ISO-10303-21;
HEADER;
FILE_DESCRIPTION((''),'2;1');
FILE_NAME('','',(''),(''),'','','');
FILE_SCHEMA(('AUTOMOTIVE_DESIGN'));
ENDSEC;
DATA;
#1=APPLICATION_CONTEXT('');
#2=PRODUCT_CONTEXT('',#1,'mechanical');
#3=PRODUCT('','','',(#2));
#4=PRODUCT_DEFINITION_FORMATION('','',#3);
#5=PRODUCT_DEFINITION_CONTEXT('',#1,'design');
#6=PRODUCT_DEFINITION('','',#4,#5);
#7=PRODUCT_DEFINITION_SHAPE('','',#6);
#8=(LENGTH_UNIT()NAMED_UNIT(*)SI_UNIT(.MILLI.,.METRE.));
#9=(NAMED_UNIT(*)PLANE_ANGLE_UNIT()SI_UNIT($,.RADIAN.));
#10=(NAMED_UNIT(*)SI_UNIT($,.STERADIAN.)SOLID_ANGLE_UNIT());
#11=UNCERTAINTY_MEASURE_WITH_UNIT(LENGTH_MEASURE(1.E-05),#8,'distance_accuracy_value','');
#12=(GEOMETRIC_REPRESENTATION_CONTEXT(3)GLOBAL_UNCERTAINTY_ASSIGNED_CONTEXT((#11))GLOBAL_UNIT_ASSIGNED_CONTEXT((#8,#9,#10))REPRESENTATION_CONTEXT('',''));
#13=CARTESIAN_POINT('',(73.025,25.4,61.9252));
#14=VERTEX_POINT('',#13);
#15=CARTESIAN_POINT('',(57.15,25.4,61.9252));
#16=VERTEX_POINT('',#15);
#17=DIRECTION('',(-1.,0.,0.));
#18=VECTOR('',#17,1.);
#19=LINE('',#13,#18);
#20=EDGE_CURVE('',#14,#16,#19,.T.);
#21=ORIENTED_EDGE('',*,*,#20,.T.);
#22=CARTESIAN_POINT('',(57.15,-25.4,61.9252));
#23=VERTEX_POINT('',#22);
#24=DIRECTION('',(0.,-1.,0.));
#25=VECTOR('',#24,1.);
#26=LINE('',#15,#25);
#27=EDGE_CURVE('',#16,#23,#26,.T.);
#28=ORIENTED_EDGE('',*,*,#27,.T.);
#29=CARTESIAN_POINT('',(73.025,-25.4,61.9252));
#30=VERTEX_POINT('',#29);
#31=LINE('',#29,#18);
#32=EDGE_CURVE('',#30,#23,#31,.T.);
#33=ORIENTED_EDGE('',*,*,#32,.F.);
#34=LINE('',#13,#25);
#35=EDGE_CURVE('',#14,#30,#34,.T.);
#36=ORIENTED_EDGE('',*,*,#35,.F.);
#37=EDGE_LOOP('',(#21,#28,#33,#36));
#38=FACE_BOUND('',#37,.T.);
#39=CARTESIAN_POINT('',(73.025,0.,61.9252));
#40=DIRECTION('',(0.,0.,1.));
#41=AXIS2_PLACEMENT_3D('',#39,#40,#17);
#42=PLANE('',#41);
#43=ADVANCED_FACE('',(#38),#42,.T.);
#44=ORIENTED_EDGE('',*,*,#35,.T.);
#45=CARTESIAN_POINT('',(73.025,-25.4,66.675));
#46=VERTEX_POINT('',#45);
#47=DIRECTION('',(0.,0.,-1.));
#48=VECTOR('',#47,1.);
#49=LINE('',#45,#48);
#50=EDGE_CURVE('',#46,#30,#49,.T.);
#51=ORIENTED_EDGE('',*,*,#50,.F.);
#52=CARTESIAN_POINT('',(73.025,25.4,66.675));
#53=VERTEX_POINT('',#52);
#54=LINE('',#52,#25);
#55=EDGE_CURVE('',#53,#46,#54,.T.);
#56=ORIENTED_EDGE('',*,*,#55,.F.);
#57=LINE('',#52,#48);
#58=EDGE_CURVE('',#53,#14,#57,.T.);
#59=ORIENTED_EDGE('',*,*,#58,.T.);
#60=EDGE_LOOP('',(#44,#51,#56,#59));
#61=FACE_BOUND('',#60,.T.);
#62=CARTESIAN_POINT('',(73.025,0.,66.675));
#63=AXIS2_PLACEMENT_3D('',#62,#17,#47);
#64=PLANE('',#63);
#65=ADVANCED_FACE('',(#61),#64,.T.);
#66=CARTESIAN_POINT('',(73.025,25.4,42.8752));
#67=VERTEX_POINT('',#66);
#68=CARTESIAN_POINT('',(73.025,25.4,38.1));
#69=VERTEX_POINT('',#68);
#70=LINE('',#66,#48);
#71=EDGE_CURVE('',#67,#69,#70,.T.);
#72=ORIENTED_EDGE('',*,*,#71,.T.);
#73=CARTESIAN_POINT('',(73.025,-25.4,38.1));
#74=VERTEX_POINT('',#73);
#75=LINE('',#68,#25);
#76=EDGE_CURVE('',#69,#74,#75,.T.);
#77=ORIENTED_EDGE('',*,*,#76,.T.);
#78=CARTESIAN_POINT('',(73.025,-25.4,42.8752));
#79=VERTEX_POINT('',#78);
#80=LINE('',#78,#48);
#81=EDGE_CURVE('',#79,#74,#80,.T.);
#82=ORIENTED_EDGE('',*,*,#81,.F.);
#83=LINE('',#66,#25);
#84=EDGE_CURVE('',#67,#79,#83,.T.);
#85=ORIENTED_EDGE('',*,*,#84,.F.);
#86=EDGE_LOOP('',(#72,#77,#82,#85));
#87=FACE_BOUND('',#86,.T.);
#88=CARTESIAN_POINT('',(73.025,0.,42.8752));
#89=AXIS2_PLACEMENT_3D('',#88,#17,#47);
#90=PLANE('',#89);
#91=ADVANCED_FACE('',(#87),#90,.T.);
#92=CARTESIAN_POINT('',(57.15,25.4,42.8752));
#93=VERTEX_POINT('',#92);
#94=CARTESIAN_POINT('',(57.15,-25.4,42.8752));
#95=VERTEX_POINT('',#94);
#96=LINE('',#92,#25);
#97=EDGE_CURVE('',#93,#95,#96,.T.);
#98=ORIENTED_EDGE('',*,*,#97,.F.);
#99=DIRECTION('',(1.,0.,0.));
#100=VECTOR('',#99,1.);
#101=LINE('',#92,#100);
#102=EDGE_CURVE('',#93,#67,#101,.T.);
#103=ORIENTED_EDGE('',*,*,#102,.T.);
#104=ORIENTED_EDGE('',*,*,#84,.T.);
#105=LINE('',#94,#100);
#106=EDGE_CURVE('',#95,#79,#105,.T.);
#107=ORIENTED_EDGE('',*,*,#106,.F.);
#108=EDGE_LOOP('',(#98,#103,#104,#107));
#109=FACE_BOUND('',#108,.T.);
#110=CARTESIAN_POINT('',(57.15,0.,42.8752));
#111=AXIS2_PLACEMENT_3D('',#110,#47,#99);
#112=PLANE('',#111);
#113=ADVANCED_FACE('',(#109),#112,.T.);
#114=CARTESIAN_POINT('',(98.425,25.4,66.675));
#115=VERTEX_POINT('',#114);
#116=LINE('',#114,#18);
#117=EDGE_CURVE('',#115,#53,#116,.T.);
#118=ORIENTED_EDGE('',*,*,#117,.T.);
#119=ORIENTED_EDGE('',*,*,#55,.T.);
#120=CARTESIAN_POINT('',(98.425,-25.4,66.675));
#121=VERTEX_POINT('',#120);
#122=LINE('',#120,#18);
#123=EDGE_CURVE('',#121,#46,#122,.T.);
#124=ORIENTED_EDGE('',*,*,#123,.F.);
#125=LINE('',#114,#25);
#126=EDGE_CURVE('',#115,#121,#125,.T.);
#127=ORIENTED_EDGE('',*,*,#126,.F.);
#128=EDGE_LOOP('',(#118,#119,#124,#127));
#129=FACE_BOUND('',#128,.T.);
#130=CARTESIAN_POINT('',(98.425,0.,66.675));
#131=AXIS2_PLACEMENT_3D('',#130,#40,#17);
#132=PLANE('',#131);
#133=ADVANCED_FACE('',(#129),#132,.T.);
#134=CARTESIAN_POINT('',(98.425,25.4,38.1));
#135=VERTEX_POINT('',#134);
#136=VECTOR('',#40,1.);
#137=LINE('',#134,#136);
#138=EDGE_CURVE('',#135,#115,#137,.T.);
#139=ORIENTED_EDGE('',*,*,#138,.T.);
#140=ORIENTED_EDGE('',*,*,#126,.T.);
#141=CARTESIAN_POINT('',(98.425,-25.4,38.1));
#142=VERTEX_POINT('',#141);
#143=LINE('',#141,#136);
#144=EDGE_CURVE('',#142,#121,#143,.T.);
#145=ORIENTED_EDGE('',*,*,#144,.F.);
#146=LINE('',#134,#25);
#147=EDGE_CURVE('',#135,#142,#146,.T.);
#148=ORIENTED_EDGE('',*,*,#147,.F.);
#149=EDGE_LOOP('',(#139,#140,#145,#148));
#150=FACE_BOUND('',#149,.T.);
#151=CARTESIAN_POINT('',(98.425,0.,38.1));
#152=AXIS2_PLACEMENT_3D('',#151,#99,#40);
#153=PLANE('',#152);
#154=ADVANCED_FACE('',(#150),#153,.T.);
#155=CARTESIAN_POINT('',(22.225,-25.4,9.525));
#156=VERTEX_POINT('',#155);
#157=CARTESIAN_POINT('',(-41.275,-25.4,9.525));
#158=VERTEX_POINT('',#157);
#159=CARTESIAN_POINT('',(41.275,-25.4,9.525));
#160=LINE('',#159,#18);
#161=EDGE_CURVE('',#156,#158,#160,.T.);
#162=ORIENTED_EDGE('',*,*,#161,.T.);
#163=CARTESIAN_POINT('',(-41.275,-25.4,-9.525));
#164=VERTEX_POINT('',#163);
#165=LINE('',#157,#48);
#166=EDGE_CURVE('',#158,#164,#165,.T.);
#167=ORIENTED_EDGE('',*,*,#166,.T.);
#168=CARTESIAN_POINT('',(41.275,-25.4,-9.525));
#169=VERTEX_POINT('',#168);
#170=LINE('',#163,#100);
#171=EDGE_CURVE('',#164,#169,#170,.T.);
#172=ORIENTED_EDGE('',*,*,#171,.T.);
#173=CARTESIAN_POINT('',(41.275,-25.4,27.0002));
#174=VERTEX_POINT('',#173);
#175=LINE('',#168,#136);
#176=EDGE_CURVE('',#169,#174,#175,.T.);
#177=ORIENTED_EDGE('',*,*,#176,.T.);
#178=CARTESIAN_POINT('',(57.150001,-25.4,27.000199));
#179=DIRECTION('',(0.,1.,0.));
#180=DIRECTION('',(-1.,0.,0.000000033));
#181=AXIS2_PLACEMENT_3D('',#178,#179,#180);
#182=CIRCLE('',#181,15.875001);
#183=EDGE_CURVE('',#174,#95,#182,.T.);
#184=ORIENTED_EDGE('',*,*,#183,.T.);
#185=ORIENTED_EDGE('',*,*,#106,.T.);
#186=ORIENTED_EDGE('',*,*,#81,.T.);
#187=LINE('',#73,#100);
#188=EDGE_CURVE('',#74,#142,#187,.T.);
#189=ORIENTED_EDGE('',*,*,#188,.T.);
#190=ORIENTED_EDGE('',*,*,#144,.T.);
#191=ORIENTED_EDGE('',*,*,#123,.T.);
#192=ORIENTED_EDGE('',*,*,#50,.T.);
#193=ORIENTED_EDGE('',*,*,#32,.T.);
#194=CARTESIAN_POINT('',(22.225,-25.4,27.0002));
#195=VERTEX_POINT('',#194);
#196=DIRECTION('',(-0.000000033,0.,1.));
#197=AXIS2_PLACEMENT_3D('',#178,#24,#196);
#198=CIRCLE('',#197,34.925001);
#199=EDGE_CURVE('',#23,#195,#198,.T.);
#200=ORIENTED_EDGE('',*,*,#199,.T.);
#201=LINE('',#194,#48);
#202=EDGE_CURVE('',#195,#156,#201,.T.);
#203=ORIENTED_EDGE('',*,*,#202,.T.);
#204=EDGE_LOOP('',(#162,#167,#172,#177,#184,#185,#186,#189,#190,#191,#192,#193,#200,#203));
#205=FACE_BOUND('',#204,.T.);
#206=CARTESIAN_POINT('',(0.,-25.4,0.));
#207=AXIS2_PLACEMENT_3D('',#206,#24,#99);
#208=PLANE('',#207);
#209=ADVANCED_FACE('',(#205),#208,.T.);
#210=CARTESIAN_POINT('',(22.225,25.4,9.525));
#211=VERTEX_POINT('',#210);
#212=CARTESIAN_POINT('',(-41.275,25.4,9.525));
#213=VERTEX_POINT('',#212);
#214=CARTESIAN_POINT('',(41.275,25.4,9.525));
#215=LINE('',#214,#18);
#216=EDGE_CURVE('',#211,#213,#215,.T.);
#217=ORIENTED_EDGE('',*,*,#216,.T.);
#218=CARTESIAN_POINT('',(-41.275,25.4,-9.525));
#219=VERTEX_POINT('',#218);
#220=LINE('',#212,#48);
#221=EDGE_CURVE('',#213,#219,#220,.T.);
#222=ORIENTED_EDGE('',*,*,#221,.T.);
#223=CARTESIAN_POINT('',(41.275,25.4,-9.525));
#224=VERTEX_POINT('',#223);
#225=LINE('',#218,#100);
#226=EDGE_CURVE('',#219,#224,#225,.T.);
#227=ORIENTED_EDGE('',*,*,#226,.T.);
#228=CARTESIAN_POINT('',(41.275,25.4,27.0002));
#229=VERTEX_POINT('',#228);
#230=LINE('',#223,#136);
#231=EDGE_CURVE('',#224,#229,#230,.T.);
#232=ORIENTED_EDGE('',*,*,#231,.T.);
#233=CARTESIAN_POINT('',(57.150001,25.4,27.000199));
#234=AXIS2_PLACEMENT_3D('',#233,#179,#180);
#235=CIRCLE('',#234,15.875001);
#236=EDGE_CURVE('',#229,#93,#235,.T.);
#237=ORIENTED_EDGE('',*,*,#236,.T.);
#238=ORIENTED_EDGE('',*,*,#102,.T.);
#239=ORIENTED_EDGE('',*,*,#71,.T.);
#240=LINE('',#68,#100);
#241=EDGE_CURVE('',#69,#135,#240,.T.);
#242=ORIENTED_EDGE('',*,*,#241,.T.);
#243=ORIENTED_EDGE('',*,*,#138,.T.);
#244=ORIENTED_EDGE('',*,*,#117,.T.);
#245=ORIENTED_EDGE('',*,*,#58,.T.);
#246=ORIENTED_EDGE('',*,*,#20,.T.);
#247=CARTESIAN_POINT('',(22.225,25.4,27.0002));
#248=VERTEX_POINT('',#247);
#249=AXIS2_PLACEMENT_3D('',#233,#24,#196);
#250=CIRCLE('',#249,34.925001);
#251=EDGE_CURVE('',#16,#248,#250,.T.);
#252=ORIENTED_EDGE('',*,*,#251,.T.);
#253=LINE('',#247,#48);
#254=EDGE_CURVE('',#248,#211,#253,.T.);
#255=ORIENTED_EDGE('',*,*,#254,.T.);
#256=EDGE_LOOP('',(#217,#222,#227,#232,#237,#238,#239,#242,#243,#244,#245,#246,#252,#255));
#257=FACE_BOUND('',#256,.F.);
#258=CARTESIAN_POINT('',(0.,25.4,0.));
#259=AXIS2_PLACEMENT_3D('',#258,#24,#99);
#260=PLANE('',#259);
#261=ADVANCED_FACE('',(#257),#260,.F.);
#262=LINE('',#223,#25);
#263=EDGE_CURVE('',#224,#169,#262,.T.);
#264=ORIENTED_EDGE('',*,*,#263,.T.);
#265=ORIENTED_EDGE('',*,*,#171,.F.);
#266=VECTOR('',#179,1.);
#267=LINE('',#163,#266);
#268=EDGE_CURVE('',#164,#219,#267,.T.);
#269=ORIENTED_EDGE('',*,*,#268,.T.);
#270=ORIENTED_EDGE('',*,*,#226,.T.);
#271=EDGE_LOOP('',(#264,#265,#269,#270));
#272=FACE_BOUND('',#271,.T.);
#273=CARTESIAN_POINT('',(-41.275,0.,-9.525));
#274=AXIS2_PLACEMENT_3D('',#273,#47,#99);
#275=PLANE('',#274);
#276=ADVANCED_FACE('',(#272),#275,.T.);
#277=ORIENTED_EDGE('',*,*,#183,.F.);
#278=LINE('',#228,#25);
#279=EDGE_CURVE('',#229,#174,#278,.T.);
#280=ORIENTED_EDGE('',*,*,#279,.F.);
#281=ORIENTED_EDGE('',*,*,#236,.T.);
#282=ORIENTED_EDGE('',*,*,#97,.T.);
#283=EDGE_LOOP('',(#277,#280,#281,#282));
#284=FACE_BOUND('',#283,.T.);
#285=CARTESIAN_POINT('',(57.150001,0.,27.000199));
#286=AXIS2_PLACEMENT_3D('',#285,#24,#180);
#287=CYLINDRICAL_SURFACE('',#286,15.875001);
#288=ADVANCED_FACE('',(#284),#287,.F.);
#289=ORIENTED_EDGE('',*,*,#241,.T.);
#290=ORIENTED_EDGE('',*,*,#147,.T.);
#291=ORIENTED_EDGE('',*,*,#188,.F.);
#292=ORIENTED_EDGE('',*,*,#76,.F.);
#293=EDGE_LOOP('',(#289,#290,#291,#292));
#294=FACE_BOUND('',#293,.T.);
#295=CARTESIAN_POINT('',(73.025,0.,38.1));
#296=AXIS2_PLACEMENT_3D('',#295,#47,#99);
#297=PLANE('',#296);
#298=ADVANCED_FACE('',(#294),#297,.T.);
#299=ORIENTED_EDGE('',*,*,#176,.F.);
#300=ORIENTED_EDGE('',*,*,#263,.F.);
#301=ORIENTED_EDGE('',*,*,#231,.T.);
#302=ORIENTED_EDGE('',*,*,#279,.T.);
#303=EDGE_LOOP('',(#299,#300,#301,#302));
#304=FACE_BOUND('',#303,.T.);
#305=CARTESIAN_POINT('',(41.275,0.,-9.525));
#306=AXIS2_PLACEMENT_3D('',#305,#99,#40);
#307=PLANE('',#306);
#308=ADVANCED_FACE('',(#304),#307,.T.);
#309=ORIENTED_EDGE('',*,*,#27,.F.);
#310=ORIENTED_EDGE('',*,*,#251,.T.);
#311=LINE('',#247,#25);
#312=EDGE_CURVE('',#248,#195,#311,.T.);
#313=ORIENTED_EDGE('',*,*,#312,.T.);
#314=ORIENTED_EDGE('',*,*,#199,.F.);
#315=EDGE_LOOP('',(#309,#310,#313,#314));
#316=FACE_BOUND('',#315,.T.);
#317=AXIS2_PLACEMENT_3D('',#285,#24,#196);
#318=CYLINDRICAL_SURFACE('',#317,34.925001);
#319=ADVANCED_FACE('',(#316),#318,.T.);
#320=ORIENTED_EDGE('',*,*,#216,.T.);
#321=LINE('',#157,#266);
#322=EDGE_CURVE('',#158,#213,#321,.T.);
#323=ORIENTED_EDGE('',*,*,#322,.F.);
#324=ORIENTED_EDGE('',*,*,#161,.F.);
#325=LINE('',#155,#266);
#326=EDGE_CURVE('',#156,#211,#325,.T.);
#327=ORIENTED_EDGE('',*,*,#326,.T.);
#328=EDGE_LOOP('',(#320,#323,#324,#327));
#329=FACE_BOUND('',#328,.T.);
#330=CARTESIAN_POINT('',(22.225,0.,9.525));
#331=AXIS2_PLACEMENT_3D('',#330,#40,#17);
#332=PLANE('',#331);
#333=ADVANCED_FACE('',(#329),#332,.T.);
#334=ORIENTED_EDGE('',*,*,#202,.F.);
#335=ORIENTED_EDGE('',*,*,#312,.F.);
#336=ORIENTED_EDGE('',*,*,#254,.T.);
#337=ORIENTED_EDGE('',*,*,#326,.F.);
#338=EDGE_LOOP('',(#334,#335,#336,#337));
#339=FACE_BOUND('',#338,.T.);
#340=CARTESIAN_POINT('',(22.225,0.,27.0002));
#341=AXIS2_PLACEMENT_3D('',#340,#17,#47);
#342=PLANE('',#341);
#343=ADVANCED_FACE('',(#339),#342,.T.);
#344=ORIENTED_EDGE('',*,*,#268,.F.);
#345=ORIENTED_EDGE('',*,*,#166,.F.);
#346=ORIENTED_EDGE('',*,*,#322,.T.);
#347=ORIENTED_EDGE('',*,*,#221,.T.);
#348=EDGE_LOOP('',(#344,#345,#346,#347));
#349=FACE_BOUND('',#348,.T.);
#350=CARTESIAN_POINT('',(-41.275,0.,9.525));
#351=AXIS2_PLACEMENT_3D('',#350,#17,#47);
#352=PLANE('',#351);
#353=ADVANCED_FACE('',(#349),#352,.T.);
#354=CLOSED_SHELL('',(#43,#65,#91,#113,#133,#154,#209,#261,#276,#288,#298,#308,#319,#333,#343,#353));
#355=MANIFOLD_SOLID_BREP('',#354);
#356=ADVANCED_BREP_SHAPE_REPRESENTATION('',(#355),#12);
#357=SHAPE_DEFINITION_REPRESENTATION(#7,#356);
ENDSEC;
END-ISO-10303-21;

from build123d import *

# Parameters (mm, degrees)
F1_DEPTH = 25.4


with BuildPart() as f1:
    # F0 (on Front) → F1 (new body, symmetric)
    with BuildSketch(Plane.XZ):
        Polygon((-41.275, -9.525), (41.275, -9.525), (41.275, 9.525), (22.225, 9.525), (-41.275, 9.525), align=None)
        with BuildLine():
            Line((22.225, 9.525), (41.275, 9.525))
            Line((41.275, 9.525), (41.275, 27.0002))
            ThreePointArc((41.275, 27.0002), (45.92468, 38.22552), (57.15, 42.8752))
            Line((57.15, 42.8752), (73.025, 42.8752))
            Line((73.025, 42.8752), (73.025, 43.09893))
            Line((73.025, 43.09893), (73.025, 61.9252))
            Line((73.025, 61.9252), (57.15, 61.9252))
            ThreePointArc((57.15, 61.9252), (32.454296, 51.695904), (22.225, 27.0002))
            Line((22.225, 27.0002), (22.225, 9.525))
        make_face()
        Polygon((73.025, 43.09893), (73.025, 42.8752), (73.025, 38.1), (98.425, 38.1), (98.425, 66.675), (73.025, 66.675), (73.025, 61.9252), align=None)
    extrude(amount=F1_DEPTH, both=True)


solid = f1.part
